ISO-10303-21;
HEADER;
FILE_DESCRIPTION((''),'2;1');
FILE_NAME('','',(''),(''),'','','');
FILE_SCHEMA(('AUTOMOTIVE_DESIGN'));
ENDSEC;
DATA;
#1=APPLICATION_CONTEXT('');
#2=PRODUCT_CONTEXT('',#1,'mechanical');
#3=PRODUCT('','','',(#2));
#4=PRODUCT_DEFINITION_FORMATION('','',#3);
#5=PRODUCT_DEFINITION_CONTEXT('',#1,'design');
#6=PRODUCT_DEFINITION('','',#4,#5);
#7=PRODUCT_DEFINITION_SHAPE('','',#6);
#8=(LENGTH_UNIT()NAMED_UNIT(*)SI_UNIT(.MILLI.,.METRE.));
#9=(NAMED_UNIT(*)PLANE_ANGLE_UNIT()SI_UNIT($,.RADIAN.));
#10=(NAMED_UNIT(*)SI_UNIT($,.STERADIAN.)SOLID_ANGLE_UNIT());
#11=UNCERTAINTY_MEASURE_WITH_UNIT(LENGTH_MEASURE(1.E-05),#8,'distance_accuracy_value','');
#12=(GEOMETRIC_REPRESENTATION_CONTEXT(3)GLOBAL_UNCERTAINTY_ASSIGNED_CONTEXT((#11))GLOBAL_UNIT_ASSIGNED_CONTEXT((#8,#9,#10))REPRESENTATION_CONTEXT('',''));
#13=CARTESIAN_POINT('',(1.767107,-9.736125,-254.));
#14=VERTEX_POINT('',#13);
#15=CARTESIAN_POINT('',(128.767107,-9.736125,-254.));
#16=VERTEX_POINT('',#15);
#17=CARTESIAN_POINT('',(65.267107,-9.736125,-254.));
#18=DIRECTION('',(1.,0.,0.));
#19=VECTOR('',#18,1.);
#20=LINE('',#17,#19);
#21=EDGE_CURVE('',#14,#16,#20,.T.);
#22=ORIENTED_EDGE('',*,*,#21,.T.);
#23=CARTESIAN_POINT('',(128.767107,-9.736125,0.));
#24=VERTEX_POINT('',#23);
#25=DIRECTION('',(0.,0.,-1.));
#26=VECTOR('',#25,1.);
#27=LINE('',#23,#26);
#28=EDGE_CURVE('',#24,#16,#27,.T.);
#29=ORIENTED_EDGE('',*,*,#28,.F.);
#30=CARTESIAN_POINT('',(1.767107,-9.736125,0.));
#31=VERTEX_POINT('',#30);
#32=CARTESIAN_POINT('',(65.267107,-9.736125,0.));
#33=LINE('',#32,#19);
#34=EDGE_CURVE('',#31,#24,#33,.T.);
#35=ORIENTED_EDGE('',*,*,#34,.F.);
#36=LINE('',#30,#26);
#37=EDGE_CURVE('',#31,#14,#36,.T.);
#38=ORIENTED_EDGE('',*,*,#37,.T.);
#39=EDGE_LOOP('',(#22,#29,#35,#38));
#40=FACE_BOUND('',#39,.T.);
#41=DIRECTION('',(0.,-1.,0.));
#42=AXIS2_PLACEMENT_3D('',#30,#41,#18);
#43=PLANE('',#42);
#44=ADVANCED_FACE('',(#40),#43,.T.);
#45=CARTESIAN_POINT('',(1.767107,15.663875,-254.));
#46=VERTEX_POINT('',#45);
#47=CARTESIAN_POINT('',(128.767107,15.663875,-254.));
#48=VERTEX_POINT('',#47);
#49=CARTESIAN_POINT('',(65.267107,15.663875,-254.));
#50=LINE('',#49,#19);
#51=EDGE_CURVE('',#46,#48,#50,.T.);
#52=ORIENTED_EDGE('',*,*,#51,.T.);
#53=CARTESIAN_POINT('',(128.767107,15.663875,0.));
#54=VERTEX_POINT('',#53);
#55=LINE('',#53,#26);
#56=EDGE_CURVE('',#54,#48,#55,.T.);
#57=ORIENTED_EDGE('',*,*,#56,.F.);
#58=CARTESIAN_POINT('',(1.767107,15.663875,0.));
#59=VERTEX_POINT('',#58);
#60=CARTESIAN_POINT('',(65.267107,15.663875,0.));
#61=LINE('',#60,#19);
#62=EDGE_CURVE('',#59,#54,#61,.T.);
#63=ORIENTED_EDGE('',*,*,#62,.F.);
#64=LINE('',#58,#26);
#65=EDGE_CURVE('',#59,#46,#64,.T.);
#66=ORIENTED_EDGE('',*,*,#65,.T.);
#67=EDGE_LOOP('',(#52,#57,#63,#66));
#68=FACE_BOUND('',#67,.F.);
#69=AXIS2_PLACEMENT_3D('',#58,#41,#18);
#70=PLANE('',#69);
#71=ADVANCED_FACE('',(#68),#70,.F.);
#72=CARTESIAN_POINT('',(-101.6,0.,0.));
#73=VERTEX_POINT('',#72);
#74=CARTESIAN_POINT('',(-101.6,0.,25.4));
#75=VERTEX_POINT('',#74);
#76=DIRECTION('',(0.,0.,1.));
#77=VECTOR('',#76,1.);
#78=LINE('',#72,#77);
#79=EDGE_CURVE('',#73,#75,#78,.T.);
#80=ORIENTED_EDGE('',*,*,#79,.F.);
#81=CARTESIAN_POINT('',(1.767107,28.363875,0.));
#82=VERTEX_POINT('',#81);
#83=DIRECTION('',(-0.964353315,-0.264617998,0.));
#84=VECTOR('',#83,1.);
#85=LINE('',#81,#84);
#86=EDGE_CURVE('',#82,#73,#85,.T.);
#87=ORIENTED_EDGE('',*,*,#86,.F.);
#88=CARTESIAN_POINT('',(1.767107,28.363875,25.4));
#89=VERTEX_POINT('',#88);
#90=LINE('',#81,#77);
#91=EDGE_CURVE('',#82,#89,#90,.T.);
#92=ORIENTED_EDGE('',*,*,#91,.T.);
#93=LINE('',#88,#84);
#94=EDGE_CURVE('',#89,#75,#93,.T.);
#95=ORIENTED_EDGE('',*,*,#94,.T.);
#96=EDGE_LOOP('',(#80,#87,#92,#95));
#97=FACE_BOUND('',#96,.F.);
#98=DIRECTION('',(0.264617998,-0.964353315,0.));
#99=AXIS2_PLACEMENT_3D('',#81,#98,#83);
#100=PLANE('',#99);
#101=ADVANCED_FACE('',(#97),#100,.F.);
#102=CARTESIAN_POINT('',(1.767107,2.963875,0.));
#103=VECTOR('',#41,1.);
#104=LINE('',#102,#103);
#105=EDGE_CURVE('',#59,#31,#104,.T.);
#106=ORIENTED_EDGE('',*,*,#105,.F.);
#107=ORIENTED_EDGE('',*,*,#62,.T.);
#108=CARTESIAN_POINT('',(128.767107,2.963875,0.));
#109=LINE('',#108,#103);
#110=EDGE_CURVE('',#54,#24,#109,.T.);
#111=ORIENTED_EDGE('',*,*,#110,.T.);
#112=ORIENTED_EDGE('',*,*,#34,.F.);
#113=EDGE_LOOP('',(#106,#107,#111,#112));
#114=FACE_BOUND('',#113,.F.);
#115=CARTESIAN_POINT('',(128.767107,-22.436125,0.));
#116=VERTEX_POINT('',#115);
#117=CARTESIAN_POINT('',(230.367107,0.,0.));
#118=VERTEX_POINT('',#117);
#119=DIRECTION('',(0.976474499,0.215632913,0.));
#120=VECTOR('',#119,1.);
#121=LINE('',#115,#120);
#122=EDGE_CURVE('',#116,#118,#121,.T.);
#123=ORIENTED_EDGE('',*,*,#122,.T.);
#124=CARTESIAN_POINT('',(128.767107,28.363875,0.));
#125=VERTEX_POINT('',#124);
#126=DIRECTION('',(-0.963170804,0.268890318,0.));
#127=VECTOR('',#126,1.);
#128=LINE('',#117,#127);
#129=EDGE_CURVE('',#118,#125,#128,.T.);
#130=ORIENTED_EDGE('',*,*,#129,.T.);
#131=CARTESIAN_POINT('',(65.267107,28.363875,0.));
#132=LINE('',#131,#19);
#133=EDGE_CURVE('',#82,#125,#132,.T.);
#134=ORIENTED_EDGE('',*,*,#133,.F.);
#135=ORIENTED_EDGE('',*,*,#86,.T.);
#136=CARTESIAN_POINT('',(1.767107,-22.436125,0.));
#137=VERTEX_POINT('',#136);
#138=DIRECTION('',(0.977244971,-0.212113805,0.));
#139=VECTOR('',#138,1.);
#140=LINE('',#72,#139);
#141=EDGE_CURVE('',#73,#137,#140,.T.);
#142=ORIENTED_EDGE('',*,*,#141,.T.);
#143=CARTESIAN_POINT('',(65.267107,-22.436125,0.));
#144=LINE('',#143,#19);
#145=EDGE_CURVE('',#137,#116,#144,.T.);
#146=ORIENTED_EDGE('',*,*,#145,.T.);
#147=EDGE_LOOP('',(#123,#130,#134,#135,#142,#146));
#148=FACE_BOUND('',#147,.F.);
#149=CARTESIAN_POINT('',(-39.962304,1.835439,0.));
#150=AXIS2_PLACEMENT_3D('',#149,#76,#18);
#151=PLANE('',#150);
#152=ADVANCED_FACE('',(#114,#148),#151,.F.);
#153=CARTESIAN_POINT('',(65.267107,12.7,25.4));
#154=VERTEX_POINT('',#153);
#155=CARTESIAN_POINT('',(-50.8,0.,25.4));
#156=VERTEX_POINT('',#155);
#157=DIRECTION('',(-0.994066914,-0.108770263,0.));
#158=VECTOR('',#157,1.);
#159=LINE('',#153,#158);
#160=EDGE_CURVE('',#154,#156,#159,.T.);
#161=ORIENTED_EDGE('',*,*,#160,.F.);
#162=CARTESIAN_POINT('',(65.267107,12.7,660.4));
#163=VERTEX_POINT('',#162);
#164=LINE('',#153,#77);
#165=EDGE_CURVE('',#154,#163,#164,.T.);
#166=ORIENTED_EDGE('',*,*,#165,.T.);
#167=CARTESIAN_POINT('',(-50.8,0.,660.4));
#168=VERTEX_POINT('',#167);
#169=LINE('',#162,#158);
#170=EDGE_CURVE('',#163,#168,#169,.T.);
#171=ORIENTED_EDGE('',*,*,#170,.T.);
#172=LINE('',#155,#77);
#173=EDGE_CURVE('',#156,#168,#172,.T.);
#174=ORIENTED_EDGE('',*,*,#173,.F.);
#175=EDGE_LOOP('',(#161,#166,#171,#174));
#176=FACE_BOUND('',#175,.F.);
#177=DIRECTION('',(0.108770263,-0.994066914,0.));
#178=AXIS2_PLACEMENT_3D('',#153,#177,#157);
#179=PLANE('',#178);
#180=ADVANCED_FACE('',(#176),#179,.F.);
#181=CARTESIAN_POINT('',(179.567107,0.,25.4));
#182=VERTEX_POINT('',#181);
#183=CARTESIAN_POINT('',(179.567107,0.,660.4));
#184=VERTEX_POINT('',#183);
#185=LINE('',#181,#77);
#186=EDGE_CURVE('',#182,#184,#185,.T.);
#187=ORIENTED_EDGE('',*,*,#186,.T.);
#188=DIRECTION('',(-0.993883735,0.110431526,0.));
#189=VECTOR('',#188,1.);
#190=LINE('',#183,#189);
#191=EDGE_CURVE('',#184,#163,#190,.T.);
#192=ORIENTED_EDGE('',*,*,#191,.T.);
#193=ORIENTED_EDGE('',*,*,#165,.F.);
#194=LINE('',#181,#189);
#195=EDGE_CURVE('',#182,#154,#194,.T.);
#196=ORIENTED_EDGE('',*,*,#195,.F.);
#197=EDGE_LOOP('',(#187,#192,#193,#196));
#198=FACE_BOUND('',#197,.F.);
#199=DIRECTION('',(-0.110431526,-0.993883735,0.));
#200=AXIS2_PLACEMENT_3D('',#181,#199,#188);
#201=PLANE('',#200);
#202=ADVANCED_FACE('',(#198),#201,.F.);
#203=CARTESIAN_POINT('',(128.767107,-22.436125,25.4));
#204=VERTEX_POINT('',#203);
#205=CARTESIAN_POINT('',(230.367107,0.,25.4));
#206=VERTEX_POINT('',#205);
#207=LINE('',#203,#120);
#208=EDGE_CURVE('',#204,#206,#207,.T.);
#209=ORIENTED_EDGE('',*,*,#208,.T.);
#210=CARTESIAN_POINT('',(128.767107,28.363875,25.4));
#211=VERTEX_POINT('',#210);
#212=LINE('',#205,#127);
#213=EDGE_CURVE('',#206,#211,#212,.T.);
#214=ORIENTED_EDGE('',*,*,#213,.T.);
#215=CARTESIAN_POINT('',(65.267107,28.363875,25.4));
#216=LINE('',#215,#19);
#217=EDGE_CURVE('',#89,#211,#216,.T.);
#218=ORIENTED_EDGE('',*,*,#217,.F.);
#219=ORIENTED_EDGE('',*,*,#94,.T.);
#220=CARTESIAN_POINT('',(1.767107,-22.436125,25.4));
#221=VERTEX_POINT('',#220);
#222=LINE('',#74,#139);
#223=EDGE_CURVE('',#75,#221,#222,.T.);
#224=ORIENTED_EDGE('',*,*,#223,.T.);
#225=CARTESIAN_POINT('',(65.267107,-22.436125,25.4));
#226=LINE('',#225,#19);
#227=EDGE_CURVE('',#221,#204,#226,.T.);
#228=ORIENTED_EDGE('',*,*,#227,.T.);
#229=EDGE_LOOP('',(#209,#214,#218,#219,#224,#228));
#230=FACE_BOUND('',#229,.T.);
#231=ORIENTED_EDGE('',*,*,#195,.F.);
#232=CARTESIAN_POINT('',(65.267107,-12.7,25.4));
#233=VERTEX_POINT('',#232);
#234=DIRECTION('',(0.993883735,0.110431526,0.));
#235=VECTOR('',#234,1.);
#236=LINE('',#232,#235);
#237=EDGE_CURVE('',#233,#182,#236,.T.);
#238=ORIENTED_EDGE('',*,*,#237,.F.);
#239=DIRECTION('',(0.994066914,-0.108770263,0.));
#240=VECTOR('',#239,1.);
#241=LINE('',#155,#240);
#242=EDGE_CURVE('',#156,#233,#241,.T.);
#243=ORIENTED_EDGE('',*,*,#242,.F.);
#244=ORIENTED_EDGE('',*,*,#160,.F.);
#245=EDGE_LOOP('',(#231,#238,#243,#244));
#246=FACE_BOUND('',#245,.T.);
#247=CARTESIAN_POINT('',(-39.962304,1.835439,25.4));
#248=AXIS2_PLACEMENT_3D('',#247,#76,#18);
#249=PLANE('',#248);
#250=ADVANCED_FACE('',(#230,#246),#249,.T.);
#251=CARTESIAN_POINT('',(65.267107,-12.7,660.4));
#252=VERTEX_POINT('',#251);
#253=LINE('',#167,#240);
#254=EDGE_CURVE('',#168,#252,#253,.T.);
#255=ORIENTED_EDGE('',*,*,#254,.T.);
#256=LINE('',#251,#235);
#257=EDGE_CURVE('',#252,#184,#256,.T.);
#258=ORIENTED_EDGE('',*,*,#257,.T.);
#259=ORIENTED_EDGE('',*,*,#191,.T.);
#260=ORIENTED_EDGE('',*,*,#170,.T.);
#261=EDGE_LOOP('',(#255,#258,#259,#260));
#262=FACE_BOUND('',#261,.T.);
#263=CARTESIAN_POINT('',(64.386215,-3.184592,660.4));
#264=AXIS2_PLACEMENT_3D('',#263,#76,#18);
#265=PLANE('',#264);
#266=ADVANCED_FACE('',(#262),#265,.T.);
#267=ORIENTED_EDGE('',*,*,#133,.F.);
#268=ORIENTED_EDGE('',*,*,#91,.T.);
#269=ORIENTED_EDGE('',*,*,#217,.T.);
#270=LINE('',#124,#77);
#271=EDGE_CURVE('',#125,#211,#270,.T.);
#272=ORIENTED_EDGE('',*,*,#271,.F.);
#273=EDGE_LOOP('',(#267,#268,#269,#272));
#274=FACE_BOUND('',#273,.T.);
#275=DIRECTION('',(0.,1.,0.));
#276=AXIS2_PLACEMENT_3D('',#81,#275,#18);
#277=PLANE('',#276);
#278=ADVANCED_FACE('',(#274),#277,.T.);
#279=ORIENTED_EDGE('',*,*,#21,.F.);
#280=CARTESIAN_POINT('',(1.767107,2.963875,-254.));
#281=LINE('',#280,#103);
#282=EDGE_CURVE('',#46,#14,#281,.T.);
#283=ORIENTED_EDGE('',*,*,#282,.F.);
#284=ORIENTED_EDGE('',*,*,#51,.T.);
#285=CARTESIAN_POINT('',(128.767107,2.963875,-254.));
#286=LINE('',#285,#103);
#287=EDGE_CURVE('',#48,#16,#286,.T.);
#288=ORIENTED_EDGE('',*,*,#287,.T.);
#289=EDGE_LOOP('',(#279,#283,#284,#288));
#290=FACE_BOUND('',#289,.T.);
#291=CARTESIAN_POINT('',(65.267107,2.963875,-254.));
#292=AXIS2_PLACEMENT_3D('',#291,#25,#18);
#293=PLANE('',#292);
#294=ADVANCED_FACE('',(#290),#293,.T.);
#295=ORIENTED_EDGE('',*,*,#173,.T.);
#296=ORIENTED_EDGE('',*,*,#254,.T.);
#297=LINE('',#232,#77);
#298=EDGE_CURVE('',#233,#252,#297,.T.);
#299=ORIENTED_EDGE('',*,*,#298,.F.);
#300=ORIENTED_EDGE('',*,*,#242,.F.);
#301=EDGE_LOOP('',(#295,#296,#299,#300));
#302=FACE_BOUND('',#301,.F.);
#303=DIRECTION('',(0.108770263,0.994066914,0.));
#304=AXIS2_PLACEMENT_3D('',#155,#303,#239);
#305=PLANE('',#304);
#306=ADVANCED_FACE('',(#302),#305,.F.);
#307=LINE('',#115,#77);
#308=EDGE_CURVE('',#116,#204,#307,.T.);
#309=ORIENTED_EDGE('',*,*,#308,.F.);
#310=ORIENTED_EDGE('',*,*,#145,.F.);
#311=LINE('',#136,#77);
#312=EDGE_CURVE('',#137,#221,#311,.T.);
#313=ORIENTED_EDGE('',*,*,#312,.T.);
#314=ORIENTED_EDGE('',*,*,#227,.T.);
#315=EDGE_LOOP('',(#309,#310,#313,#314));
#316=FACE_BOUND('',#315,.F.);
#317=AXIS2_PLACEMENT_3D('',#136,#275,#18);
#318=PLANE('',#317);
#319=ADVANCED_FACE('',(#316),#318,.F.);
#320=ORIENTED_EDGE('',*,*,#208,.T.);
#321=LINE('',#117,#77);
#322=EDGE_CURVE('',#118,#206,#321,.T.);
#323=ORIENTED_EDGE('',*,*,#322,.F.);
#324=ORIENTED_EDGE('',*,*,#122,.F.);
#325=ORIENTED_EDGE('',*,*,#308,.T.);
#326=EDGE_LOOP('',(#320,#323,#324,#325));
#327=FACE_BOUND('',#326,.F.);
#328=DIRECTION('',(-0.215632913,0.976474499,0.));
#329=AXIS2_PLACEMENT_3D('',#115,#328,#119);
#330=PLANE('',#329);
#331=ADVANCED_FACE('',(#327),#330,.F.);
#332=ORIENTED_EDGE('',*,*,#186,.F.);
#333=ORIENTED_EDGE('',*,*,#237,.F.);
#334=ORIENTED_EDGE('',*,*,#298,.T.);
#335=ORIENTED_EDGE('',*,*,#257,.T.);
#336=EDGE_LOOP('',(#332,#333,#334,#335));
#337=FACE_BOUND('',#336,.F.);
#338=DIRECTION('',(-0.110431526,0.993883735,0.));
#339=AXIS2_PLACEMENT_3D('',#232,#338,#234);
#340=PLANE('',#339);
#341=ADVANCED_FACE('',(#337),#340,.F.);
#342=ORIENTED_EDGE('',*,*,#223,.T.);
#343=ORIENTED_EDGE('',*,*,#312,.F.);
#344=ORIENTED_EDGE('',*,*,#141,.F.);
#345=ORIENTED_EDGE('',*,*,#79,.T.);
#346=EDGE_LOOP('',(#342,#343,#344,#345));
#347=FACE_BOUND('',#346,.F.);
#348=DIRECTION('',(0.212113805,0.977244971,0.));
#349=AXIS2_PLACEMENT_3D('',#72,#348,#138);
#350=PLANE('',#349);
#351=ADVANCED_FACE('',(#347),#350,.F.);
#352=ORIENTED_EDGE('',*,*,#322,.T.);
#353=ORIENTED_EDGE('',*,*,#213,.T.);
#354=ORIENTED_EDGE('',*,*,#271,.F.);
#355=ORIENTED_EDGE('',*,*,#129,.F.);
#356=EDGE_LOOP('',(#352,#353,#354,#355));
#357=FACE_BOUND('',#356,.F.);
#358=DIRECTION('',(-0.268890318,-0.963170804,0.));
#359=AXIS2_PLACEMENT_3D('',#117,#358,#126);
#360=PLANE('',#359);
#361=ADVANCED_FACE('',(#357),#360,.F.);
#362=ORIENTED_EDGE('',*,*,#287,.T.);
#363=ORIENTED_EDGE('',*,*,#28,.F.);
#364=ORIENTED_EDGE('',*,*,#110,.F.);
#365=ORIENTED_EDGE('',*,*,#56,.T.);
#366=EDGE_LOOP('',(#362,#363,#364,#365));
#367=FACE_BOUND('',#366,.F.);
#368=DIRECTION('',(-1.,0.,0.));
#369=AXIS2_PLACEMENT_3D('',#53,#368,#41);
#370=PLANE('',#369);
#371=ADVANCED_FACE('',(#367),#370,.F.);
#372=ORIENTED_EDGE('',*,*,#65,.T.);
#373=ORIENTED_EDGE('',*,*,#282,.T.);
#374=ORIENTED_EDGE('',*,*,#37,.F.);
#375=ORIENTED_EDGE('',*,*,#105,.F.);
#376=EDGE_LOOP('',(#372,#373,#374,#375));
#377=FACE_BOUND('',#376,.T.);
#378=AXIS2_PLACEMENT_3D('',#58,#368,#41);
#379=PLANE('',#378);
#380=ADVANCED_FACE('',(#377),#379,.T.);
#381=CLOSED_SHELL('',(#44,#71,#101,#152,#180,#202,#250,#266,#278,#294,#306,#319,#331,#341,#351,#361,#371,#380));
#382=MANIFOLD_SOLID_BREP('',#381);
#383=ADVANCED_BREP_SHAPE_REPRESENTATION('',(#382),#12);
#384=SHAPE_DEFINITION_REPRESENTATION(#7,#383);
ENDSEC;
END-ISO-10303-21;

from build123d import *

# Parameters (mm, degrees)
F0_W     = 127
F0_H     = 50.8
F1_DEPTH = 25.4
F3_DEPTH = 635
F4_W     = 127
F4_H     = 25.4
F5_DEPTH = 254


with BuildPart() as f1:
    # F0 (on Top) → F1 (new body)
    with BuildSketch(Plane.XY):
        Polygon((1.767107, -22.436125), (1.767107, 28.363875), (-101.6, 0), align=None)
        Polygon((230.367107, 0), (128.767107, 28.363875), (128.767107, -22.436125), align=None)
        with Locations((65.267107, 2.963875)):
            Rectangle(F0_W, F0_H)
    extrude(amount=F1_DEPTH)

    # F2 (on face) → F3 (join)
    with BuildSketch(Plane.XY.offset(25.4)):
        Polygon((179.567107, 0), (-50.8, 0), (65.267107, -12.7), align=None)
        Polygon((65.267107, 12.7), (-50.8, 0), (179.567107, 0), align=None)
    extrude(amount=F3_DEPTH)

    # F4 (on face) → F5 (join)
    with BuildSketch(Plane(origin=(0, 0, 0), x_dir=(1, 0, 0), z_dir=(0, 0, -1))):
        with Locations((65.267107, -2.963875)):
            Rectangle(F4_W, F4_H)
    extrude(amount=F5_DEPTH)


solid = f1.part
